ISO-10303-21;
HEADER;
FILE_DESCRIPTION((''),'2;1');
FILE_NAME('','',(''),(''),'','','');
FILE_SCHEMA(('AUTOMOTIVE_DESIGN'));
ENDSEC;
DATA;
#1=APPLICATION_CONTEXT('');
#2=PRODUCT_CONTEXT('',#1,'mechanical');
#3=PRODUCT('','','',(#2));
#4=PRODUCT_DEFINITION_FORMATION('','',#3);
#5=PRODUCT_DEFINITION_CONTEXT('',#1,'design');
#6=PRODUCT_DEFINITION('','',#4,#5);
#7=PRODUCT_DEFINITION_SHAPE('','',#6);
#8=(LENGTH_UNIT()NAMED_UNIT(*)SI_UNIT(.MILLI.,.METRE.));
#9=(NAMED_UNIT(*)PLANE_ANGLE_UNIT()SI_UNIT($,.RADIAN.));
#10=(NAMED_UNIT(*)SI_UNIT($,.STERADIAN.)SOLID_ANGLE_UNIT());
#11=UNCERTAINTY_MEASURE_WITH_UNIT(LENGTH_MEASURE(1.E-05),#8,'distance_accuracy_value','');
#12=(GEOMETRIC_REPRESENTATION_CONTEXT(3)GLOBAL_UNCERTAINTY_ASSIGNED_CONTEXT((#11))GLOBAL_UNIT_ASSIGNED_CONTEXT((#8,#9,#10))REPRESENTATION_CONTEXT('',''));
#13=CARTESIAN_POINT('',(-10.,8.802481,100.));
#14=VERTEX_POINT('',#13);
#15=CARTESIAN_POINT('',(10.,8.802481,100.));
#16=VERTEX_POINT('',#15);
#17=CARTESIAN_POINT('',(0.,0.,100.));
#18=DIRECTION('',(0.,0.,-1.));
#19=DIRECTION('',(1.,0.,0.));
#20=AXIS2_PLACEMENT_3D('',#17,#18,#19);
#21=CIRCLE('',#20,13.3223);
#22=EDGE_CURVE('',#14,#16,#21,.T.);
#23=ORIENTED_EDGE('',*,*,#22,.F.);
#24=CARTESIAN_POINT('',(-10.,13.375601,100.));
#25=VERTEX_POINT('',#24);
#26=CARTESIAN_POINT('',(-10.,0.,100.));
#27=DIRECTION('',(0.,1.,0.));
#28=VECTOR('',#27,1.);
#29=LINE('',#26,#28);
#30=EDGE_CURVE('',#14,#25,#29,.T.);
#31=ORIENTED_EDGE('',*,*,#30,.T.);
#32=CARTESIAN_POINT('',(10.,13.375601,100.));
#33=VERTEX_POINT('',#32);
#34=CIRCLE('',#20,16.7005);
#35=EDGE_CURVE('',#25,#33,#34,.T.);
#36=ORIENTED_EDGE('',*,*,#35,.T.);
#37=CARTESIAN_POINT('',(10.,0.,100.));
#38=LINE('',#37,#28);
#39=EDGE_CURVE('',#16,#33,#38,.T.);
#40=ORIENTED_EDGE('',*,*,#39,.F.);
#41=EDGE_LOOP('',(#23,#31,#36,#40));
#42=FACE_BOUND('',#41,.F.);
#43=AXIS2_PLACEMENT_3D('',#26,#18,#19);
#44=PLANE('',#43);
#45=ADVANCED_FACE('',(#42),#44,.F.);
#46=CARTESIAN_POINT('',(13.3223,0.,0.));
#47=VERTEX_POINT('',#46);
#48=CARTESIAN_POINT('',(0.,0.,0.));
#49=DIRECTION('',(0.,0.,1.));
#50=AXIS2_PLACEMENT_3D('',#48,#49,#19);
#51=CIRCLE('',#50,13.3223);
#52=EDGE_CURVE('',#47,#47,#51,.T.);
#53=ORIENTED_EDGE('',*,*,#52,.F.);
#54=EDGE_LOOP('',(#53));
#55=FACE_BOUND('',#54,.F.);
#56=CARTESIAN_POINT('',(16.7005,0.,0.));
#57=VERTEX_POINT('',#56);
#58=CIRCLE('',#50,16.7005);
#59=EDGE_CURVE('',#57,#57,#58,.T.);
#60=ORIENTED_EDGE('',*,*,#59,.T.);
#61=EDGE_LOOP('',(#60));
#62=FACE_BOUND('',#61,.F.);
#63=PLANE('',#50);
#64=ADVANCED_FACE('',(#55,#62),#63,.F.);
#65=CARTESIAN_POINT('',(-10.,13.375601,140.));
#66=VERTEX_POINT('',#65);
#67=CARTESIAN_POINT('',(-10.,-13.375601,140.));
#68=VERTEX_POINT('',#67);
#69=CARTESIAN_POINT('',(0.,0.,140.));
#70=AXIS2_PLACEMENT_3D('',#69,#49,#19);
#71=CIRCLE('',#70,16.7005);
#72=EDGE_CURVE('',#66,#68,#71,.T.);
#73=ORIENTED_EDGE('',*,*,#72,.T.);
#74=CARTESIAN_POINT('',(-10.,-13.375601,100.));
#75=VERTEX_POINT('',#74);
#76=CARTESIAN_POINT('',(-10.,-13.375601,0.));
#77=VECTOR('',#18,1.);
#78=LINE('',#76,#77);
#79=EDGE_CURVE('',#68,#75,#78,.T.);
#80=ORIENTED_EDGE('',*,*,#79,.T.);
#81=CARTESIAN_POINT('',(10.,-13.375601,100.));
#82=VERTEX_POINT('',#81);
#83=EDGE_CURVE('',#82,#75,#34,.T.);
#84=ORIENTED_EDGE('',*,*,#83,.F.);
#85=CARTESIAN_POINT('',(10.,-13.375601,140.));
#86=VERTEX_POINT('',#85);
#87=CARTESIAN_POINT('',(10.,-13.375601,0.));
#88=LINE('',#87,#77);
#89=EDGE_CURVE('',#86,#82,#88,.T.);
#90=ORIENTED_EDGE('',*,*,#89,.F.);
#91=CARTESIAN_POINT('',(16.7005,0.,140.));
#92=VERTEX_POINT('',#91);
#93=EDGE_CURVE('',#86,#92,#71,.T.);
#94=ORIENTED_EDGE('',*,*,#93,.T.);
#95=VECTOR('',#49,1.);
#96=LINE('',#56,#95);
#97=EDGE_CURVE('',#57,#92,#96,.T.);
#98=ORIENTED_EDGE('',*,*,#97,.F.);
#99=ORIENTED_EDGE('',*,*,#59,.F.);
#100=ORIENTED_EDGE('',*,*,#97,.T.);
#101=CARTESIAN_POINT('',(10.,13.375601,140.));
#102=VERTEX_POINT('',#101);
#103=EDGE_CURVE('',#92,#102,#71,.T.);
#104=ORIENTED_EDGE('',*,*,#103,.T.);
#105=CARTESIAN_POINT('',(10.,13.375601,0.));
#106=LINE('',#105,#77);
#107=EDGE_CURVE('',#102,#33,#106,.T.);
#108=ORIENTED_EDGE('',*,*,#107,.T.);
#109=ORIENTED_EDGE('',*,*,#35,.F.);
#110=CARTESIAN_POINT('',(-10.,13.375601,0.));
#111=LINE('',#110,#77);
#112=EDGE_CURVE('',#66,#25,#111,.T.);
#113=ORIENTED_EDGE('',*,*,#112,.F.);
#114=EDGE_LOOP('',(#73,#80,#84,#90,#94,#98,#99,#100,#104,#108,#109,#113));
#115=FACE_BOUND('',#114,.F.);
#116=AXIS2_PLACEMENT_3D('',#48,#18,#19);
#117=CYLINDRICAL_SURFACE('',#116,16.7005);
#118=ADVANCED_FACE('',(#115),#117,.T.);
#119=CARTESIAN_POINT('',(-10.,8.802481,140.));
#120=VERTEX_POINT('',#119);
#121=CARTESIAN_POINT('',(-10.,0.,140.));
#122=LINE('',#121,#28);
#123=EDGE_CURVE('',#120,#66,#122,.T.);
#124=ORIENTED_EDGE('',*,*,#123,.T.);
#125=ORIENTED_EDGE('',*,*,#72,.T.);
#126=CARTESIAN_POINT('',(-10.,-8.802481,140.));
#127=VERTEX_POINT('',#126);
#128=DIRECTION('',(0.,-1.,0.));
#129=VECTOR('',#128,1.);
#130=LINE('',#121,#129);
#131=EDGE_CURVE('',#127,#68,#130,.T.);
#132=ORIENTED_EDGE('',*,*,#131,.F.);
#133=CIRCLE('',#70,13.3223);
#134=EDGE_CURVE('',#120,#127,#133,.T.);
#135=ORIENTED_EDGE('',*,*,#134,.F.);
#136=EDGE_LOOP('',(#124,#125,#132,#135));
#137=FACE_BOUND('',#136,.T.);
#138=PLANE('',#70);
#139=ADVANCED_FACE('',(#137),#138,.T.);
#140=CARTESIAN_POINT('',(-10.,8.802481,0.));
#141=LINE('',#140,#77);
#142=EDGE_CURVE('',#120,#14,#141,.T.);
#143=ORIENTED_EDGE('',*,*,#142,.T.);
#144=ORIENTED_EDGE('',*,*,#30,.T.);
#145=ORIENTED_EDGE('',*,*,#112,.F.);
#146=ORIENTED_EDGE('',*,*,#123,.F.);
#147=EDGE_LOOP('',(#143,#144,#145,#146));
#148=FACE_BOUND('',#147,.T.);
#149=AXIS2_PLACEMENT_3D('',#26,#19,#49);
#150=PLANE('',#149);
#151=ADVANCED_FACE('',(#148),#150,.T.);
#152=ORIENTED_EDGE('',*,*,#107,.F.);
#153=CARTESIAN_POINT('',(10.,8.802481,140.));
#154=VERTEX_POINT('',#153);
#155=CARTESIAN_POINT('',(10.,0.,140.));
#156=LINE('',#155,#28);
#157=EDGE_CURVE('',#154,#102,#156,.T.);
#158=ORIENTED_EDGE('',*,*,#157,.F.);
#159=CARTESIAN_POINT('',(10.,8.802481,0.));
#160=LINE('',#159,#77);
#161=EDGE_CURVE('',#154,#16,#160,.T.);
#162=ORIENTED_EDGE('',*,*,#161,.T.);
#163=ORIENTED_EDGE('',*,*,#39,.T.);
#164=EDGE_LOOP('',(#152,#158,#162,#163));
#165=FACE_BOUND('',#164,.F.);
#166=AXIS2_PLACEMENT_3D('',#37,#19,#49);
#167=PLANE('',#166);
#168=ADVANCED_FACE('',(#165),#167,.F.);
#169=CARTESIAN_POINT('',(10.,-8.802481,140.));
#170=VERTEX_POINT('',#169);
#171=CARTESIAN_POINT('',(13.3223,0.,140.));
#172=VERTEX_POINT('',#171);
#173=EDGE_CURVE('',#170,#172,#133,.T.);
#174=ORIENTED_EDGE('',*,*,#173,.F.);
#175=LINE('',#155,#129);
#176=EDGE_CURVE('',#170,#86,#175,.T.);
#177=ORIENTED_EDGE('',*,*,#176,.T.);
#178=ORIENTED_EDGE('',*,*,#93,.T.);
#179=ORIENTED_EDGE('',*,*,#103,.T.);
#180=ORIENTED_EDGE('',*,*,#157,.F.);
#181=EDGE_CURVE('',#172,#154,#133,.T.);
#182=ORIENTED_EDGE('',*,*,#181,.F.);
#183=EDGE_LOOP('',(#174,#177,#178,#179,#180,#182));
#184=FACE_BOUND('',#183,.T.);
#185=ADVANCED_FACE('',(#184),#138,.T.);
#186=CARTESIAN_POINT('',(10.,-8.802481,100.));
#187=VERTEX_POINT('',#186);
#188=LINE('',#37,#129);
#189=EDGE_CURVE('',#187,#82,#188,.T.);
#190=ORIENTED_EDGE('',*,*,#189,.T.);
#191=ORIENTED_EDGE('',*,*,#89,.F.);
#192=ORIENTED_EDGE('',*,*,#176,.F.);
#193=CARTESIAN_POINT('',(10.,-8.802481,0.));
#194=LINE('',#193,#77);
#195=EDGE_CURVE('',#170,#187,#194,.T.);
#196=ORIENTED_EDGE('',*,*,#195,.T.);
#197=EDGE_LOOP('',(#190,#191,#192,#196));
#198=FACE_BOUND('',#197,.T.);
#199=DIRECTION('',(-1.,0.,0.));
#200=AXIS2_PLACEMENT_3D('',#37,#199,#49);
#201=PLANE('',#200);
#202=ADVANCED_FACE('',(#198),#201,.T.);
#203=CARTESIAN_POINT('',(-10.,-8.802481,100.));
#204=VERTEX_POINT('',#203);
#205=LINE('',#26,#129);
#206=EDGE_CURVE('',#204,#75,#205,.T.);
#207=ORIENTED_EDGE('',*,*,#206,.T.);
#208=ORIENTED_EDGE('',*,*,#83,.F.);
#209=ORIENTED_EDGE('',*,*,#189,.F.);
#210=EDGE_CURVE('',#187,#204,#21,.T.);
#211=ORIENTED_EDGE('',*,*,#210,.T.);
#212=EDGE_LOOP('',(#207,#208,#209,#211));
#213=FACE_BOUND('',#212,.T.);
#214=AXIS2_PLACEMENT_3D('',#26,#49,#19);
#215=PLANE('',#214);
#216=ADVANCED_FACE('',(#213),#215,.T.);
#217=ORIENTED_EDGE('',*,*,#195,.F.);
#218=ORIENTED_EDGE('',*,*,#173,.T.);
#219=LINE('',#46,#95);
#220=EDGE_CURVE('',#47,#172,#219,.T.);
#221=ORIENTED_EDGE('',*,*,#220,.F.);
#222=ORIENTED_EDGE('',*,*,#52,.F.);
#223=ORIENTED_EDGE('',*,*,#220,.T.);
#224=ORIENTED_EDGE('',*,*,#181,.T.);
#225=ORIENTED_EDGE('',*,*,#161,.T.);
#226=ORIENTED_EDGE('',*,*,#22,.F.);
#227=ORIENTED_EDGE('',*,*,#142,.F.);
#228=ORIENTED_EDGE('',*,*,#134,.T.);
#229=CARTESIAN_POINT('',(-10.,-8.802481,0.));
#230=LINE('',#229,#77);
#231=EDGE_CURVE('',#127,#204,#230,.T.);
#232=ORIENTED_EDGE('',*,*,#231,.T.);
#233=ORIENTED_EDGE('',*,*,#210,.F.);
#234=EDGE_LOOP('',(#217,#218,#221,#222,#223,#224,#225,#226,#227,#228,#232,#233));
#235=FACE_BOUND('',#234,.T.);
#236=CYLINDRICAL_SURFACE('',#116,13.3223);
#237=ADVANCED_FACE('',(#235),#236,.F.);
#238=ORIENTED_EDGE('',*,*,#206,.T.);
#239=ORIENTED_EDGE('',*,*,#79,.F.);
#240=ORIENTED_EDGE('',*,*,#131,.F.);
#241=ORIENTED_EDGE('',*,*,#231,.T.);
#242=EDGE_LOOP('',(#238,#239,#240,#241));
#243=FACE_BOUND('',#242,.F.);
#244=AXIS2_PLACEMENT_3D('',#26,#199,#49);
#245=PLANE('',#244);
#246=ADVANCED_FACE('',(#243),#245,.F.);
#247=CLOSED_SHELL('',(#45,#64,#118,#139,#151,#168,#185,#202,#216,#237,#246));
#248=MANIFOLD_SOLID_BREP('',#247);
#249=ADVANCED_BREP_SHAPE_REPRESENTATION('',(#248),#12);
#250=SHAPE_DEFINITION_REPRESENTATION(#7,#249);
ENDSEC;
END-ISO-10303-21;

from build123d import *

# Parameters (mm, degrees)
SKETCH_R          = 16.7005
SKETCH_R_2        = 13.3223
PAD_DEPTH         = 140
SKETCH001_W       = 20
SKETCH001_H       = 40
POCKET_DEPTH      = 16.7015
POCKET_DEPTH_BACK = -16.7015


with BuildPart() as part:
    # Sketch → Pad (new body)
    with BuildSketch(Plane.XY):
        Circle(SKETCH_R)
        Circle(SKETCH_R_2, mode=Mode.SUBTRACT)
    extrude(amount=PAD_DEPTH)

    # Sketch001 → Pocket (cut, two sides)
    with BuildSketch(Plane(origin=(0, 0, 140), x_dir=(1, 0, 0), z_dir=(0, -1, 0))) as pocket_sk:
        with Locations((0, -20)):
            Rectangle(SKETCH001_W, SKETCH001_H)
    extrude(amount=-POCKET_DEPTH, mode=Mode.SUBTRACT)
    extrude(pocket_sk.sketch, amount=-POCKET_DEPTH_BACK, mode=Mode.SUBTRACT)


solid = part.part
